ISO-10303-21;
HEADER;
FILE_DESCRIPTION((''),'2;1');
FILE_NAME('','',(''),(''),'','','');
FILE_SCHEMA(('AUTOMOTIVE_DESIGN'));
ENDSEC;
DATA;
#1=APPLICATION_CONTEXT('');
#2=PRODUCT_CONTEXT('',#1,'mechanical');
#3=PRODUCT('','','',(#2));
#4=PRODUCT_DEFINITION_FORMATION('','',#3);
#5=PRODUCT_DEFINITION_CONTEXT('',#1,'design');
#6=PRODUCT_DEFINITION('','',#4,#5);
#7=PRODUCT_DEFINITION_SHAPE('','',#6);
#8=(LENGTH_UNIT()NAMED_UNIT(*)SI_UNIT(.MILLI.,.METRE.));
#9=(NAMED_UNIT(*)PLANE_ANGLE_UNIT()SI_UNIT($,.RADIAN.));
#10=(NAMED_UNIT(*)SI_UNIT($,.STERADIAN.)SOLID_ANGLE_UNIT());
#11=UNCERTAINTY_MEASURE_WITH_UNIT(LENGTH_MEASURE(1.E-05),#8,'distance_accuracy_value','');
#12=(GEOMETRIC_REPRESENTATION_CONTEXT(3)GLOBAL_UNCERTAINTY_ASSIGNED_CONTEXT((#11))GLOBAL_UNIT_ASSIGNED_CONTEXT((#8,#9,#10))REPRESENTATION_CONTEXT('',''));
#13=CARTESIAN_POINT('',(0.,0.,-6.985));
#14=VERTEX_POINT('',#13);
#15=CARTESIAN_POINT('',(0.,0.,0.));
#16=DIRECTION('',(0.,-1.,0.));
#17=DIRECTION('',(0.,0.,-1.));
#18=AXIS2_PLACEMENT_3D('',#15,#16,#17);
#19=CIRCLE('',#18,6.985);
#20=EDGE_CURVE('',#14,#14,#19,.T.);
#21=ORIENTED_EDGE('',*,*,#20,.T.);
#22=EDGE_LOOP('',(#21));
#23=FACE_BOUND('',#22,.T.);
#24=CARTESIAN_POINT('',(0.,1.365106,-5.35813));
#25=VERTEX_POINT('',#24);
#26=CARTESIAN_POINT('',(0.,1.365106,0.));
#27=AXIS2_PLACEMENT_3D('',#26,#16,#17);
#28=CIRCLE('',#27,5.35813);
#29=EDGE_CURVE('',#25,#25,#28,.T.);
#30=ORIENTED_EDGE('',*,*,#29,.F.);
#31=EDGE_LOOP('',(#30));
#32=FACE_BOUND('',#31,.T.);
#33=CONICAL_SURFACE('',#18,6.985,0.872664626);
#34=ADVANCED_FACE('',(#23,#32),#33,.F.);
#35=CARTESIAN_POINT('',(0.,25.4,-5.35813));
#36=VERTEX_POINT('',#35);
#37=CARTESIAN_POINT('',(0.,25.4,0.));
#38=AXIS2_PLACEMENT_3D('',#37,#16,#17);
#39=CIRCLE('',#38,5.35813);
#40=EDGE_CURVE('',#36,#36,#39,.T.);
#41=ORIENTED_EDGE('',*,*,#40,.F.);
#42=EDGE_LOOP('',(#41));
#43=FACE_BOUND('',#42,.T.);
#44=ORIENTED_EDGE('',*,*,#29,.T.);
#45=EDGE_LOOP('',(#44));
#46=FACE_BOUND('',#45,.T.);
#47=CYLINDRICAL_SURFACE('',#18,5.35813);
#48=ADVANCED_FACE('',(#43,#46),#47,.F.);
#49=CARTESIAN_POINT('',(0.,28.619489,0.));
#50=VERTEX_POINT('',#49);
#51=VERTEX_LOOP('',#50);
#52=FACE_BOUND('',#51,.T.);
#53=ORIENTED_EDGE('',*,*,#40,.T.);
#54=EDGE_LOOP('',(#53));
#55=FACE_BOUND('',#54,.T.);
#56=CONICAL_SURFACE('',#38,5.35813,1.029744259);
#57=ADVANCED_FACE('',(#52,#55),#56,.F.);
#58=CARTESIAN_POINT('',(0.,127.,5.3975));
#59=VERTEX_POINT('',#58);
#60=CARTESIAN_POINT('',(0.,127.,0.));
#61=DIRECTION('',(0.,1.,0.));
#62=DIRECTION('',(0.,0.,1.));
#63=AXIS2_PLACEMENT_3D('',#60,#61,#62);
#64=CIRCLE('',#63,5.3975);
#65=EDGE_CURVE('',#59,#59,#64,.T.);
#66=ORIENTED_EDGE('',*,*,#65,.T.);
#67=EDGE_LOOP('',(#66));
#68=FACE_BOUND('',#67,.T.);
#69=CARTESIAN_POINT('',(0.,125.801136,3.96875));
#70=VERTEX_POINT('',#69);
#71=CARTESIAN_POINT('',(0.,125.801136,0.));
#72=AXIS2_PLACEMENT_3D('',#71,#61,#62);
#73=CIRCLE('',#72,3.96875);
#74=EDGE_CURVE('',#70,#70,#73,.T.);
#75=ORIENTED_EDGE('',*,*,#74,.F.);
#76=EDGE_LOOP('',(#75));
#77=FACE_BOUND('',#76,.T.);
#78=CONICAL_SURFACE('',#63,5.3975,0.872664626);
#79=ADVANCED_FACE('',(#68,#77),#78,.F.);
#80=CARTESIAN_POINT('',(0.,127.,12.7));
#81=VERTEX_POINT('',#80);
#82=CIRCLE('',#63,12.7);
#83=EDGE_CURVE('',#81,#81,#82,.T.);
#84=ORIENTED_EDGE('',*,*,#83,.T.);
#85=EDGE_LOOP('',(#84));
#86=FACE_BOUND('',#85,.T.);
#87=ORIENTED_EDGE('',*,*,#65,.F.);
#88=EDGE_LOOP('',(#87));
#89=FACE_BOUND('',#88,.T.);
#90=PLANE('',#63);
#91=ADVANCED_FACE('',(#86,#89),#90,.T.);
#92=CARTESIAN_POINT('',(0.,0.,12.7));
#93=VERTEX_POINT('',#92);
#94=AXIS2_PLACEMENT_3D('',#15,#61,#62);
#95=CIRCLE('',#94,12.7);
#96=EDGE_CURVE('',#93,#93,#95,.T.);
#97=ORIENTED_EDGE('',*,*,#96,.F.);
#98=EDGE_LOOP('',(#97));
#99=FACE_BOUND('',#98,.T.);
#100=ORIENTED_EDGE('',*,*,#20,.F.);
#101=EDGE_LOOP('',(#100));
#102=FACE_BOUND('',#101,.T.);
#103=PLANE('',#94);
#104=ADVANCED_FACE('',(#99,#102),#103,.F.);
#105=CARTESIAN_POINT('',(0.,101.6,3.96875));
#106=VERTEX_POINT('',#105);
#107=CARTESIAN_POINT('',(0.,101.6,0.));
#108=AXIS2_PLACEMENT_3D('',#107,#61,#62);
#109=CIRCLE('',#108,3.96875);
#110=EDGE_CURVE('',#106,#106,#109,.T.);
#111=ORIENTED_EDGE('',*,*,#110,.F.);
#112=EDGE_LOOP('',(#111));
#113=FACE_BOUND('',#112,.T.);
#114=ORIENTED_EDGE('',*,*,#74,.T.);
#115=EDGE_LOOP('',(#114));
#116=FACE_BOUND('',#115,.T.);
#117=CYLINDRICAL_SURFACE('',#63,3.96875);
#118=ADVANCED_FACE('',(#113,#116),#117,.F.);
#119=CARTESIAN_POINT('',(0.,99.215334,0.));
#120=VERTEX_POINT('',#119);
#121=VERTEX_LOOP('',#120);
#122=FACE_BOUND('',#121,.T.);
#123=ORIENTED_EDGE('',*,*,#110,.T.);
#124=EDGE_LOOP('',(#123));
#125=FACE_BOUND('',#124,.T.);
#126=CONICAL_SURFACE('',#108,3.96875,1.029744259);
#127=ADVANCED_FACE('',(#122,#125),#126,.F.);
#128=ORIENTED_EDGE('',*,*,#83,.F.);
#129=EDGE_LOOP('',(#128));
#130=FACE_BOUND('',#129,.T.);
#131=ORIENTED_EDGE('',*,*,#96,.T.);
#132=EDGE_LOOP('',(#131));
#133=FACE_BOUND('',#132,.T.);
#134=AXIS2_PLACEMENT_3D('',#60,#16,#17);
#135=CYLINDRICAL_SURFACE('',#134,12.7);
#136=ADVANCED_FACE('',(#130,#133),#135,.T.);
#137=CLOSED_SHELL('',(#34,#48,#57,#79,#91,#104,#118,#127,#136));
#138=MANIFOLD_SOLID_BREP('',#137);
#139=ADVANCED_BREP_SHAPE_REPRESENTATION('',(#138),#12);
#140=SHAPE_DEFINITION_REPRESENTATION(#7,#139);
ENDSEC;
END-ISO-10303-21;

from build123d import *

# Parameters (mm, degrees)
SKETCH1_R                         = 12.7
BOSS_EXTRUDE1_DEPTH               = 127
F_1_2_13_TAPPED_HOLE1_D           = 10.71626
F_1_2_13_TAPPED_HOLE1_DEPTH       = 25.4
F_1_2_13_TAPPED_HOLE1_CSINK_D     = 13.97
F_1_2_13_TAPPED_HOLE1_CSINK_ANGLE = 100
F_1_2_13_TAPPED_HOLE1_TIP         = 3.219489309
F_3_8_16_TAPPED_HOLE1_D           = 7.9375
F_3_8_16_TAPPED_HOLE1_DEPTH       = 25.4
F_3_8_16_TAPPED_HOLE1_CSINK_D     = 10.795
F_3_8_16_TAPPED_HOLE1_CSINK_ANGLE = 100
F_3_8_16_TAPPED_HOLE1_TIP         = 2.384665582


with BuildPart() as part:
    # Sketch1 → Boss-Extrude1 (new body)
    with BuildSketch(Plane(origin=(0, 0, 0), x_dir=(1, 0, 0), z_dir=(0, 1, 0))):
        with Locations(Location((0, 0, 0), (0, 0, 270))):
            Circle(SKETCH1_R)
    extrude(amount=BOSS_EXTRUDE1_DEPTH)

    # 1/2-13 Tapped Hole1
    with Locations(Plane(origin=(0, 0, 0), x_dir=(-1, 0, 0), z_dir=(0, -1, 0))):
        with Locations((0, 0)):
            CounterSinkHole(F_1_2_13_TAPPED_HOLE1_D / 2, F_1_2_13_TAPPED_HOLE1_CSINK_D / 2, depth=F_1_2_13_TAPPED_HOLE1_DEPTH, counter_sink_angle=F_1_2_13_TAPPED_HOLE1_CSINK_ANGLE)
            with Locations((0, 0, -(F_1_2_13_TAPPED_HOLE1_DEPTH + F_1_2_13_TAPPED_HOLE1_TIP / 2))):  # 118° drill point
                Cone(0, F_1_2_13_TAPPED_HOLE1_D / 2, F_1_2_13_TAPPED_HOLE1_TIP, mode=Mode.SUBTRACT)

    # 3/8-16 Tapped Hole1
    with Locations(Plane(origin=(0, 127, 0), x_dir=(1, 0, 0), z_dir=(0, 1, 0))):
        with Locations((0, 0)):
            CounterSinkHole(F_3_8_16_TAPPED_HOLE1_D / 2, F_3_8_16_TAPPED_HOLE1_CSINK_D / 2, depth=F_3_8_16_TAPPED_HOLE1_DEPTH, counter_sink_angle=F_3_8_16_TAPPED_HOLE1_CSINK_ANGLE)
            with Locations((0, 0, -(F_3_8_16_TAPPED_HOLE1_DEPTH + F_3_8_16_TAPPED_HOLE1_TIP / 2))):  # 118° drill point
                Cone(0, F_3_8_16_TAPPED_HOLE1_D / 2, F_3_8_16_TAPPED_HOLE1_TIP, mode=Mode.SUBTRACT)


solid = part.part
